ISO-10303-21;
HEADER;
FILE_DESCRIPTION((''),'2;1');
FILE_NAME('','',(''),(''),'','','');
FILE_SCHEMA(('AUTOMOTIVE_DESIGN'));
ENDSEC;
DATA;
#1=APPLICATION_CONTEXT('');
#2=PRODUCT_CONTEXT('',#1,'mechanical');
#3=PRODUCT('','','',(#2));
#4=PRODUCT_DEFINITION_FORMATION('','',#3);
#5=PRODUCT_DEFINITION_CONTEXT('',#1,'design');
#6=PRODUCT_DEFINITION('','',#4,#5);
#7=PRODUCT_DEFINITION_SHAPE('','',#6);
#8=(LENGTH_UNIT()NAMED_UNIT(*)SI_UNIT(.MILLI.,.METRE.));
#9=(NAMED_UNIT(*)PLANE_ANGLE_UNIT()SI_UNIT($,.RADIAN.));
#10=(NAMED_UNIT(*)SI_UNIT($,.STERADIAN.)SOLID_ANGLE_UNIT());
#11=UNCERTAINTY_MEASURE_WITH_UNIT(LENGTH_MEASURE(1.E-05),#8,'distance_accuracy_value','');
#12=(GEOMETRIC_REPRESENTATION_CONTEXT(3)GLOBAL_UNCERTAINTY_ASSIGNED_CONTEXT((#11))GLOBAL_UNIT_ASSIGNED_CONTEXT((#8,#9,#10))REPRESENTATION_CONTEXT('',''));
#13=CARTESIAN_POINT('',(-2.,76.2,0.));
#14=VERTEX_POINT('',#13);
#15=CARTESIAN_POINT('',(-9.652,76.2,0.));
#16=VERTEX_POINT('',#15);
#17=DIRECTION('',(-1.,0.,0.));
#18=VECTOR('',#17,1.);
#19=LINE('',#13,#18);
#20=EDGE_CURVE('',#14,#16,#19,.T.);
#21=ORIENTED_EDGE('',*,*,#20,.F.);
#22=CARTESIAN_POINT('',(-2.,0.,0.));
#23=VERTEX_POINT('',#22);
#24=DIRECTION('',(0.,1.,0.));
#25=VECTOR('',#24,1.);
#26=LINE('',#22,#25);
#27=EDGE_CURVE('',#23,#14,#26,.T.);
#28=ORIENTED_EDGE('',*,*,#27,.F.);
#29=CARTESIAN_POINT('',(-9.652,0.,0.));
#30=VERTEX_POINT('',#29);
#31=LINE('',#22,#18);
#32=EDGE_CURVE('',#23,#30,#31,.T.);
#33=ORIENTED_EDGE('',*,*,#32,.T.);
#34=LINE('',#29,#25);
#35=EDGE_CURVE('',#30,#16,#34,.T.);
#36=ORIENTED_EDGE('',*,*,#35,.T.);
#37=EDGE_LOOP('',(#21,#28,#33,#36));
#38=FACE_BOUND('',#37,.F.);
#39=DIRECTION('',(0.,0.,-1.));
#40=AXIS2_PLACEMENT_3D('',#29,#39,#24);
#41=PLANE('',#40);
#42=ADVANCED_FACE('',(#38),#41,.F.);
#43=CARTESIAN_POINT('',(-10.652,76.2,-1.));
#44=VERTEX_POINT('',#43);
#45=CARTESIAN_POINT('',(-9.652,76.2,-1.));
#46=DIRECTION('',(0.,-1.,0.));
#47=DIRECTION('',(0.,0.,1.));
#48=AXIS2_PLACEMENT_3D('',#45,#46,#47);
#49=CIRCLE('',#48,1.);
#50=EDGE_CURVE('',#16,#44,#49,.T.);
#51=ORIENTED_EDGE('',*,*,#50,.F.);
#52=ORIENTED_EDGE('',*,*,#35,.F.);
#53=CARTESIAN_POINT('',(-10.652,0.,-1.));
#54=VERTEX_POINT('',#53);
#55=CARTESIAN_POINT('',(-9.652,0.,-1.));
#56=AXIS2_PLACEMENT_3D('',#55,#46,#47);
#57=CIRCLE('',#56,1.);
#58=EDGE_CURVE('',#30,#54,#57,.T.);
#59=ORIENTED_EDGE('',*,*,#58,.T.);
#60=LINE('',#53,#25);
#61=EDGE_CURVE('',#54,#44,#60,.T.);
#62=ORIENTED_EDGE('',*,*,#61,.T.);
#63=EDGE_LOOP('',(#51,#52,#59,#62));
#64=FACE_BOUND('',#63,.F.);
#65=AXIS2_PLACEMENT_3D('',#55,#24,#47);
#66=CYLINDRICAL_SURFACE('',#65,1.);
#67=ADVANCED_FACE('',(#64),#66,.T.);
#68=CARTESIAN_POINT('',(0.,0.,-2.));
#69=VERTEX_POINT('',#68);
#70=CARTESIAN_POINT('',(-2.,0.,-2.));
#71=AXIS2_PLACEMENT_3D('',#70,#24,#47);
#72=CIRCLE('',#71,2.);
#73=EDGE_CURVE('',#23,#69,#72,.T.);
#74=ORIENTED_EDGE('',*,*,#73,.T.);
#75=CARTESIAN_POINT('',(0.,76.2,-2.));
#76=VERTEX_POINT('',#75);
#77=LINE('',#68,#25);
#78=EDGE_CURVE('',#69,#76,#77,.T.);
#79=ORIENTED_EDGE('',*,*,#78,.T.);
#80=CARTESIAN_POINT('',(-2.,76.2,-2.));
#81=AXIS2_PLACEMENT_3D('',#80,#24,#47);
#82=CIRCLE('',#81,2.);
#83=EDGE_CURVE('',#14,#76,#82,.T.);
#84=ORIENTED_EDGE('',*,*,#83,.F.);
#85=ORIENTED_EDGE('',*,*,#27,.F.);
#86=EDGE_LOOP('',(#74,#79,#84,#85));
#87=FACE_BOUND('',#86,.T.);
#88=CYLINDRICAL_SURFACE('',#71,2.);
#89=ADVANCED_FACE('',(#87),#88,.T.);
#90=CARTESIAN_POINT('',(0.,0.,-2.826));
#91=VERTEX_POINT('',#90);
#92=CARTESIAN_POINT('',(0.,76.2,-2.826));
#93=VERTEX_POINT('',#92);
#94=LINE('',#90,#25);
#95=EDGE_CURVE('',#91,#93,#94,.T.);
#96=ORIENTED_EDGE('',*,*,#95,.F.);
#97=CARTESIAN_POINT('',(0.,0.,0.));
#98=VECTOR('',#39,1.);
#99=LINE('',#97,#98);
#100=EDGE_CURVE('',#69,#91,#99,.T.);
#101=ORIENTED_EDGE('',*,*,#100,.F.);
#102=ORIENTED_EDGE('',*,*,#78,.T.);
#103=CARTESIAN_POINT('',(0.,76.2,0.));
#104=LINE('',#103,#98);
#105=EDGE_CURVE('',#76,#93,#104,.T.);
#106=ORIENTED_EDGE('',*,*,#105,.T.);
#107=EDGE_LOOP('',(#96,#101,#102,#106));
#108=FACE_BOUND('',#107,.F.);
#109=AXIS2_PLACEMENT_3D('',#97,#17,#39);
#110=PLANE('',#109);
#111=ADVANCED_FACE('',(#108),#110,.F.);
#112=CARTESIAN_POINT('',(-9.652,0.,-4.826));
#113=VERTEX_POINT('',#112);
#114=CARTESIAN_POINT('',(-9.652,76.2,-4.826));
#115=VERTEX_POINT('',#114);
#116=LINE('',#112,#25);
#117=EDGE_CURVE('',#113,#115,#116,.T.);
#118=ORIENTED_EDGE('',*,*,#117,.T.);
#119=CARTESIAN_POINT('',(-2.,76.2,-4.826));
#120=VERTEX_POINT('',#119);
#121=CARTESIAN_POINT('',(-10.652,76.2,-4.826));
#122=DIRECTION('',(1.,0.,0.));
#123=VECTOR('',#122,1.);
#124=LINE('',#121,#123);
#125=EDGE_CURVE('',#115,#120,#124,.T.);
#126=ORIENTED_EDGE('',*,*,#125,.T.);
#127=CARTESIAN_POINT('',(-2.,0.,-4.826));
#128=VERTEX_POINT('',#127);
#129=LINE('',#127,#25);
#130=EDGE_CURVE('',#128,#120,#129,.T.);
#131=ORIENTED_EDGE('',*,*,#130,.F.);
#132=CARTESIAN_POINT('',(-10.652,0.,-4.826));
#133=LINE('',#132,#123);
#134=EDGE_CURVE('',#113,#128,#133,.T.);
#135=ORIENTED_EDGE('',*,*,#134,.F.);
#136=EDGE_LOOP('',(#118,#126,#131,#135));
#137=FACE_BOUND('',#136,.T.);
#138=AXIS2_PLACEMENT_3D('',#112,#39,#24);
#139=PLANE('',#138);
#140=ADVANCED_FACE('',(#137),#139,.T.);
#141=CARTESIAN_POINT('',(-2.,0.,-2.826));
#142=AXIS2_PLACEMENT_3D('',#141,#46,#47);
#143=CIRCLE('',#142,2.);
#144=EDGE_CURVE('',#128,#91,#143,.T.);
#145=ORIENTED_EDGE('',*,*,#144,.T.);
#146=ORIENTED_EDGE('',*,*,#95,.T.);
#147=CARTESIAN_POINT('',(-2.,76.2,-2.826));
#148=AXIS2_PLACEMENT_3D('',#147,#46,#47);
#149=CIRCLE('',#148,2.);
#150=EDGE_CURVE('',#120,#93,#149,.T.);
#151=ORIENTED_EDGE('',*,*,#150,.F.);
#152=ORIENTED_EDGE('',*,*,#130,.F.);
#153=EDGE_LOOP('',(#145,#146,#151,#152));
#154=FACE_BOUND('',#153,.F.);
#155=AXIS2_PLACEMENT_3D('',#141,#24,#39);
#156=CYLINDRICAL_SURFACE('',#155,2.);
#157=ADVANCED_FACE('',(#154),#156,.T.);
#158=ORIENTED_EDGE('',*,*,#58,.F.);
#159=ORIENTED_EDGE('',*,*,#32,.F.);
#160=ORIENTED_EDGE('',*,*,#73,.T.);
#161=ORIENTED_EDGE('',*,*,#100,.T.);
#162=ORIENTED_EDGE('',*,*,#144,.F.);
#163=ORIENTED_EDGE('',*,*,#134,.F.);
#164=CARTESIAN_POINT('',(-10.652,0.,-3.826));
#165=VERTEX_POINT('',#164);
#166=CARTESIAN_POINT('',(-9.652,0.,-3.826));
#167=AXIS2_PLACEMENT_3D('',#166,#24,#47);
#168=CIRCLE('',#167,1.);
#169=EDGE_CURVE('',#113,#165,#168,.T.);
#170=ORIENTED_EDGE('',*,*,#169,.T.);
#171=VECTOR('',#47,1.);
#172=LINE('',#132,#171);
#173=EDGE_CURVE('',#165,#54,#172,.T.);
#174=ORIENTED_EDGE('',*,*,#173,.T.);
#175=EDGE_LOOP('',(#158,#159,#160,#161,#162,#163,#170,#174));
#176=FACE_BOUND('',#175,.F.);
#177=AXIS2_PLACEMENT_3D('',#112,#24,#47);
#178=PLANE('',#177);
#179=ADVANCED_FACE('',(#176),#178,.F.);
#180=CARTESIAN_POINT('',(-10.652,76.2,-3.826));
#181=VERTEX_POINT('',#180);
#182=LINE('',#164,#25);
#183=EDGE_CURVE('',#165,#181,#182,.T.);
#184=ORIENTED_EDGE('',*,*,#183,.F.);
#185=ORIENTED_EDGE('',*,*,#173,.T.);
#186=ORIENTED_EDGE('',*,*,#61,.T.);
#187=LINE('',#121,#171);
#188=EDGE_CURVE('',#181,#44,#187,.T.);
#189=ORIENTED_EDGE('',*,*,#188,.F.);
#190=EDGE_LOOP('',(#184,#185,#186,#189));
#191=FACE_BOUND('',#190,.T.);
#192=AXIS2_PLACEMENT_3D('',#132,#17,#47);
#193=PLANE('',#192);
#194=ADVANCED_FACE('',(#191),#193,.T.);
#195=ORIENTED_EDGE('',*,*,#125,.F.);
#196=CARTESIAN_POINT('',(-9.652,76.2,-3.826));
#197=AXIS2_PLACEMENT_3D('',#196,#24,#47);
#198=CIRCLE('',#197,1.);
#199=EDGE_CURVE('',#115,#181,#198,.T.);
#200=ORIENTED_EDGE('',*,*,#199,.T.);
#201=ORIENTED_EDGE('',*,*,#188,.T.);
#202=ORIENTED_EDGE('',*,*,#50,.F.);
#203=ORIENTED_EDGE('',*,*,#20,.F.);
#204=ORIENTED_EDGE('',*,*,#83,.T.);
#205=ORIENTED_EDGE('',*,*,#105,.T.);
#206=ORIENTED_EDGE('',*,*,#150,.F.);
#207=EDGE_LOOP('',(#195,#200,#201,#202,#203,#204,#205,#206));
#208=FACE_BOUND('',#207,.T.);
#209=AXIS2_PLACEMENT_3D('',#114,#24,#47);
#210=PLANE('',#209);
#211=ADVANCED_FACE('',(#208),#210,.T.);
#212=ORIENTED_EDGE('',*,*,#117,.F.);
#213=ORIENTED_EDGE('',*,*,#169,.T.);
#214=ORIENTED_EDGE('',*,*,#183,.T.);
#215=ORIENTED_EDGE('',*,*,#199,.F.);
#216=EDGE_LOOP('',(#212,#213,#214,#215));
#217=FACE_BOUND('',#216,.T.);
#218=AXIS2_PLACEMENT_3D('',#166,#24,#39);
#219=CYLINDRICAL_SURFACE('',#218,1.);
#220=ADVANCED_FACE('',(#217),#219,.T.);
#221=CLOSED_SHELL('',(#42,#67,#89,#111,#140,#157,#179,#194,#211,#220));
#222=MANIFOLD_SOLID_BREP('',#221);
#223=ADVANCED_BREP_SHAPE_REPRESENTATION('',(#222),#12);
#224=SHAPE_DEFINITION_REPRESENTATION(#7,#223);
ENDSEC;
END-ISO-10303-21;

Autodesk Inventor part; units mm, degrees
ref_plane "YZ Plane" through (0, 0, 0) normal (1, 0, 0) x (0, 1, 0)
ref_plane "XZ Plane" through (0, 0, 0) normal (0, 1, 0) x (-1, 0, 0)
ref_plane "XY Plane" through (0, 0, 0) normal (0, 0, 1) x (1, 0, 0)
sketch "Sketch1" plane through (0, 0, 0) normal (0, 1, 0) x (-1, 0, 0)
  line L0 (0, 0) -> (0, -4.826)
  line L1 (0, -4.826) -> (9.652, -4.826)
  line L2 (9.652, -4.826) -> (9.652, 0)
  line L3 (9.652, 0) -> (0, 0)
  dimension "d0" = 4.826
  dimension "d1" = 9.652
extrude "Extrusion1" add sketch "Sketch1" along normal blind 76.2
fillet "Fillet1" radius 2 2 edges at (0, 38.1, 0) (0, 38.1, -4.826)
sketch "Sketch2" plane through (-9.652, 0, -4.826) normal (-1, 0, 0) x (0, 0, 1)
  line L0 (4.826, 0) -> (4.826, 76.2) projected
  line L1 (0, 0) -> (0, 76.2) projected
  line L2 (0, 0) -> (4.826, 0) projected
  line L3 (0, 76.2) -> (4.826, 76.2) projected
extrude "Extrusion2" add sketch "Sketch2" along normal blind 1
fillet "Fillet2" radius 1 2 edges at (-10.652, 38.1, -4.826) (-10.652, 38.1, 0)
properties part number "GuideArm"
